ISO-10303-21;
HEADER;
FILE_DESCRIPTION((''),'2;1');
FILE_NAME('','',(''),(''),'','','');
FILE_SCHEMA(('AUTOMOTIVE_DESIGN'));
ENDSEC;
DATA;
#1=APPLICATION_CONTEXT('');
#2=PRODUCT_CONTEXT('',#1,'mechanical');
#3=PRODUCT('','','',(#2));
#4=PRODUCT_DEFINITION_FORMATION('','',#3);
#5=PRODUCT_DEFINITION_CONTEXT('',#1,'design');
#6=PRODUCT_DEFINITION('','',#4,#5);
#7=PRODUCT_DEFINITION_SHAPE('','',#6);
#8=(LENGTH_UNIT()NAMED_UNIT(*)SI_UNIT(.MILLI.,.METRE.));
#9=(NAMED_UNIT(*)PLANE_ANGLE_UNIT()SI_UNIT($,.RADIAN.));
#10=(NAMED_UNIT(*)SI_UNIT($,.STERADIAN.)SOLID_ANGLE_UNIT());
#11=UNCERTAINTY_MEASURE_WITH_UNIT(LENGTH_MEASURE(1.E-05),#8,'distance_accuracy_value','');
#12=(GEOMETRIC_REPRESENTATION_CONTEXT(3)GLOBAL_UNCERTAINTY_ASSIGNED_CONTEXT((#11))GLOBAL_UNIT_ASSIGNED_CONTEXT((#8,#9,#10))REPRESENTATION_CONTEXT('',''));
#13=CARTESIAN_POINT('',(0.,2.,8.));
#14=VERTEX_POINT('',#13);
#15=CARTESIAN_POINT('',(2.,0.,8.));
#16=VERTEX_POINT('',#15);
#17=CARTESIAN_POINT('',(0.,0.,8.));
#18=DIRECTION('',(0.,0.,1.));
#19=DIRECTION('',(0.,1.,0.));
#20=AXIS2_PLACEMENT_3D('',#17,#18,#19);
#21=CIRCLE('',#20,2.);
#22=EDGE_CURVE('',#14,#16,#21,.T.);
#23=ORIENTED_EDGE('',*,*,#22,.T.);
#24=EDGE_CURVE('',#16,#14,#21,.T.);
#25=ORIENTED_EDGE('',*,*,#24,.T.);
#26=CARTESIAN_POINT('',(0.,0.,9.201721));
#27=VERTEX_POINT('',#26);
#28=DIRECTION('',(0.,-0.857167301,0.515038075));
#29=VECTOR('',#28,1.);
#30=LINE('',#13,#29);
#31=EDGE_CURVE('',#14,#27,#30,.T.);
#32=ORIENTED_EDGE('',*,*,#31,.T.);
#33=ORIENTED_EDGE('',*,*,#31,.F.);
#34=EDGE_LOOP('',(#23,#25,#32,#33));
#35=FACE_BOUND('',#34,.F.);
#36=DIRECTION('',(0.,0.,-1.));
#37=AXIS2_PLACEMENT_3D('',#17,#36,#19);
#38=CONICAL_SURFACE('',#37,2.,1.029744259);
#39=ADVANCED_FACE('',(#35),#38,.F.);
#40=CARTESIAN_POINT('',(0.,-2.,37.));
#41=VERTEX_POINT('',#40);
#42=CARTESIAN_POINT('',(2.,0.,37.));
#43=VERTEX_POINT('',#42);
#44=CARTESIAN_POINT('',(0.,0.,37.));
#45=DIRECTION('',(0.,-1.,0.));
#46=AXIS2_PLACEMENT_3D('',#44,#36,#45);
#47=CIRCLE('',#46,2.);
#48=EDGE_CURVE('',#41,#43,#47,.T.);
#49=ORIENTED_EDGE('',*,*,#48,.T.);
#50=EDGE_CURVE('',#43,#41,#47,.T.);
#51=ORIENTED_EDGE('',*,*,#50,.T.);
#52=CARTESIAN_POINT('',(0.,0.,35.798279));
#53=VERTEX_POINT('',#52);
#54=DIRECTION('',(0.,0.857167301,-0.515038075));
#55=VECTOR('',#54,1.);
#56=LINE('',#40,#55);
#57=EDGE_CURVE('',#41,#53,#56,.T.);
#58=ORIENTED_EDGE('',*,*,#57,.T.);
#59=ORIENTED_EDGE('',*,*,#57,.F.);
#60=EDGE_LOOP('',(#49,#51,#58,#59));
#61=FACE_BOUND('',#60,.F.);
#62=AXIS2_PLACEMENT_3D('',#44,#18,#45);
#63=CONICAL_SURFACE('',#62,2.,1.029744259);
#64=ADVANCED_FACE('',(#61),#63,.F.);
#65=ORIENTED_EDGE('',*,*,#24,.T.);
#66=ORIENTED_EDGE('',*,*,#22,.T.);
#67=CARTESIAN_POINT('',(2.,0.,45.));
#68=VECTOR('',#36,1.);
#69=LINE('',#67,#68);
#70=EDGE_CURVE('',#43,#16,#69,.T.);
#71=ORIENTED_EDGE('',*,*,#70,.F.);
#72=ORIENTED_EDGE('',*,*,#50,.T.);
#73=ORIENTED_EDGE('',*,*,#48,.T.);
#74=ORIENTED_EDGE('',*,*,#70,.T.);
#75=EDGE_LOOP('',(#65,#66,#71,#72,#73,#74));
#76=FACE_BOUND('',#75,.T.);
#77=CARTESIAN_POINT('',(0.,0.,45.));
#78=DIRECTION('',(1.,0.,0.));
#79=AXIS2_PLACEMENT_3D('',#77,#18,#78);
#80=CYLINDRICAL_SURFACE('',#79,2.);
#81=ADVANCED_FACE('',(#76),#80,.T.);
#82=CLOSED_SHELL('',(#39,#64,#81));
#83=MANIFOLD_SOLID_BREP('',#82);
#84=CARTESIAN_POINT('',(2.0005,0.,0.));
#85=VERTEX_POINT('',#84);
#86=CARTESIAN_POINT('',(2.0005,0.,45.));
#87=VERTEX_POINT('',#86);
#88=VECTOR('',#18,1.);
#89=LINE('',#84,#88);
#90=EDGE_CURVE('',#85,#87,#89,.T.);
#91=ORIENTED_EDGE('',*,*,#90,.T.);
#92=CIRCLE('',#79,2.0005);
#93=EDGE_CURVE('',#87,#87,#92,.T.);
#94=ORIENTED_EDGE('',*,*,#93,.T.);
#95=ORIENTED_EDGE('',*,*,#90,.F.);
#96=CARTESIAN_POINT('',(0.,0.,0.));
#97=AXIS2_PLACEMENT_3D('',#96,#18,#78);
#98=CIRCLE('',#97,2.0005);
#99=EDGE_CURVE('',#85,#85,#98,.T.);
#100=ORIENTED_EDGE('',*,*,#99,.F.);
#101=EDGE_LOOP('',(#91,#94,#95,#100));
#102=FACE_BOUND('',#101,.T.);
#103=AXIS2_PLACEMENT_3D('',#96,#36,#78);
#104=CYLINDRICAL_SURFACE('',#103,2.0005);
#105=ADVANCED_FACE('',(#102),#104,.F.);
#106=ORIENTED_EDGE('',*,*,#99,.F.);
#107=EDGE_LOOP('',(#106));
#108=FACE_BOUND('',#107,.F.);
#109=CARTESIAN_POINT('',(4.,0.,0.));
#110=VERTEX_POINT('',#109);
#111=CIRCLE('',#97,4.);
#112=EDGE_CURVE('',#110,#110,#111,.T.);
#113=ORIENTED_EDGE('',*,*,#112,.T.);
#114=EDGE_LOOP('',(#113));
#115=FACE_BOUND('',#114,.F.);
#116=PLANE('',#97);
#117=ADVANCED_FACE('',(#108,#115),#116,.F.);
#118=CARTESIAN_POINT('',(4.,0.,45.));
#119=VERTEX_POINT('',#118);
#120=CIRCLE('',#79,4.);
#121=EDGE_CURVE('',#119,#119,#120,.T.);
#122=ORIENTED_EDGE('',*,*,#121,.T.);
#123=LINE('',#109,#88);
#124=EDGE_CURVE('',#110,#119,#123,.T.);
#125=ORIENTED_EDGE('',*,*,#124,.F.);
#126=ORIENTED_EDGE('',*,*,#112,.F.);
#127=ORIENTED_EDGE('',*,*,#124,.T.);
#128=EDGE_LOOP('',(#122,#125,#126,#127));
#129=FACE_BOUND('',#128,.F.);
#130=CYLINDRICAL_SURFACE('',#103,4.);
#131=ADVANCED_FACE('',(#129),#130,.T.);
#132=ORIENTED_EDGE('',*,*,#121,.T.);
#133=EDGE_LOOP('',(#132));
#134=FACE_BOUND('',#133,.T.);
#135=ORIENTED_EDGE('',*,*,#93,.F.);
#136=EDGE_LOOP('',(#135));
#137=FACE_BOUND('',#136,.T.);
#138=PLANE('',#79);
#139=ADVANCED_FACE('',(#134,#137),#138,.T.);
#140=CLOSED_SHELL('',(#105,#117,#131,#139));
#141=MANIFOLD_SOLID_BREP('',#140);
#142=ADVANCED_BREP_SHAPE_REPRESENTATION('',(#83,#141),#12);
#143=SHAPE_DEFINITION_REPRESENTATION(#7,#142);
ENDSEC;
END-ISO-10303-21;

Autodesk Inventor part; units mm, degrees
ref_plane "YZ Plane" through (0, 0, 0) normal (1, 0, 0) x (0, 1, 0)
ref_plane "XZ Plane" through (0, 0, 0) normal (0, 1, 0) x (-1, 0, 0)
ref_plane "XY Plane" through (0, 0, 0) normal (0, 0, 1) x (1, 0, 0)
sketch "スケッチ1" plane through (0, 0, 0) normal (0, 0, 1) x (1, 0, 0)
  circle A0 centre (0, 0) radius 4
  circle A1 centre (0, 0) radius 2.0005
  dimension "d0" = 8
  dimension "d1" = 4.001
extrude "押し出し1" add sketch "スケッチ1" along normal blind 45
sketch "スケッチ2" plane through (0, 0, 45) normal (0, 0, 1) x (1, 0, 0)
  circle A0 centre (0, 0) radius 2
  dimension "d4" = 4
extrude "押し出し2" add sketch "スケッチ2" against normal blind 45
hole "穴1" at (0, 0, 45) direction (0, 0, -1) diameter 4 depth 8 tip angle 118
hole "穴2" at (0, 0, 0) direction (0, 0, 1) diameter 4 depth 8 tip angle 118
properties part number "スペーサーm4-45　簡易筒型" material "アルミニウム 2014-T4"
